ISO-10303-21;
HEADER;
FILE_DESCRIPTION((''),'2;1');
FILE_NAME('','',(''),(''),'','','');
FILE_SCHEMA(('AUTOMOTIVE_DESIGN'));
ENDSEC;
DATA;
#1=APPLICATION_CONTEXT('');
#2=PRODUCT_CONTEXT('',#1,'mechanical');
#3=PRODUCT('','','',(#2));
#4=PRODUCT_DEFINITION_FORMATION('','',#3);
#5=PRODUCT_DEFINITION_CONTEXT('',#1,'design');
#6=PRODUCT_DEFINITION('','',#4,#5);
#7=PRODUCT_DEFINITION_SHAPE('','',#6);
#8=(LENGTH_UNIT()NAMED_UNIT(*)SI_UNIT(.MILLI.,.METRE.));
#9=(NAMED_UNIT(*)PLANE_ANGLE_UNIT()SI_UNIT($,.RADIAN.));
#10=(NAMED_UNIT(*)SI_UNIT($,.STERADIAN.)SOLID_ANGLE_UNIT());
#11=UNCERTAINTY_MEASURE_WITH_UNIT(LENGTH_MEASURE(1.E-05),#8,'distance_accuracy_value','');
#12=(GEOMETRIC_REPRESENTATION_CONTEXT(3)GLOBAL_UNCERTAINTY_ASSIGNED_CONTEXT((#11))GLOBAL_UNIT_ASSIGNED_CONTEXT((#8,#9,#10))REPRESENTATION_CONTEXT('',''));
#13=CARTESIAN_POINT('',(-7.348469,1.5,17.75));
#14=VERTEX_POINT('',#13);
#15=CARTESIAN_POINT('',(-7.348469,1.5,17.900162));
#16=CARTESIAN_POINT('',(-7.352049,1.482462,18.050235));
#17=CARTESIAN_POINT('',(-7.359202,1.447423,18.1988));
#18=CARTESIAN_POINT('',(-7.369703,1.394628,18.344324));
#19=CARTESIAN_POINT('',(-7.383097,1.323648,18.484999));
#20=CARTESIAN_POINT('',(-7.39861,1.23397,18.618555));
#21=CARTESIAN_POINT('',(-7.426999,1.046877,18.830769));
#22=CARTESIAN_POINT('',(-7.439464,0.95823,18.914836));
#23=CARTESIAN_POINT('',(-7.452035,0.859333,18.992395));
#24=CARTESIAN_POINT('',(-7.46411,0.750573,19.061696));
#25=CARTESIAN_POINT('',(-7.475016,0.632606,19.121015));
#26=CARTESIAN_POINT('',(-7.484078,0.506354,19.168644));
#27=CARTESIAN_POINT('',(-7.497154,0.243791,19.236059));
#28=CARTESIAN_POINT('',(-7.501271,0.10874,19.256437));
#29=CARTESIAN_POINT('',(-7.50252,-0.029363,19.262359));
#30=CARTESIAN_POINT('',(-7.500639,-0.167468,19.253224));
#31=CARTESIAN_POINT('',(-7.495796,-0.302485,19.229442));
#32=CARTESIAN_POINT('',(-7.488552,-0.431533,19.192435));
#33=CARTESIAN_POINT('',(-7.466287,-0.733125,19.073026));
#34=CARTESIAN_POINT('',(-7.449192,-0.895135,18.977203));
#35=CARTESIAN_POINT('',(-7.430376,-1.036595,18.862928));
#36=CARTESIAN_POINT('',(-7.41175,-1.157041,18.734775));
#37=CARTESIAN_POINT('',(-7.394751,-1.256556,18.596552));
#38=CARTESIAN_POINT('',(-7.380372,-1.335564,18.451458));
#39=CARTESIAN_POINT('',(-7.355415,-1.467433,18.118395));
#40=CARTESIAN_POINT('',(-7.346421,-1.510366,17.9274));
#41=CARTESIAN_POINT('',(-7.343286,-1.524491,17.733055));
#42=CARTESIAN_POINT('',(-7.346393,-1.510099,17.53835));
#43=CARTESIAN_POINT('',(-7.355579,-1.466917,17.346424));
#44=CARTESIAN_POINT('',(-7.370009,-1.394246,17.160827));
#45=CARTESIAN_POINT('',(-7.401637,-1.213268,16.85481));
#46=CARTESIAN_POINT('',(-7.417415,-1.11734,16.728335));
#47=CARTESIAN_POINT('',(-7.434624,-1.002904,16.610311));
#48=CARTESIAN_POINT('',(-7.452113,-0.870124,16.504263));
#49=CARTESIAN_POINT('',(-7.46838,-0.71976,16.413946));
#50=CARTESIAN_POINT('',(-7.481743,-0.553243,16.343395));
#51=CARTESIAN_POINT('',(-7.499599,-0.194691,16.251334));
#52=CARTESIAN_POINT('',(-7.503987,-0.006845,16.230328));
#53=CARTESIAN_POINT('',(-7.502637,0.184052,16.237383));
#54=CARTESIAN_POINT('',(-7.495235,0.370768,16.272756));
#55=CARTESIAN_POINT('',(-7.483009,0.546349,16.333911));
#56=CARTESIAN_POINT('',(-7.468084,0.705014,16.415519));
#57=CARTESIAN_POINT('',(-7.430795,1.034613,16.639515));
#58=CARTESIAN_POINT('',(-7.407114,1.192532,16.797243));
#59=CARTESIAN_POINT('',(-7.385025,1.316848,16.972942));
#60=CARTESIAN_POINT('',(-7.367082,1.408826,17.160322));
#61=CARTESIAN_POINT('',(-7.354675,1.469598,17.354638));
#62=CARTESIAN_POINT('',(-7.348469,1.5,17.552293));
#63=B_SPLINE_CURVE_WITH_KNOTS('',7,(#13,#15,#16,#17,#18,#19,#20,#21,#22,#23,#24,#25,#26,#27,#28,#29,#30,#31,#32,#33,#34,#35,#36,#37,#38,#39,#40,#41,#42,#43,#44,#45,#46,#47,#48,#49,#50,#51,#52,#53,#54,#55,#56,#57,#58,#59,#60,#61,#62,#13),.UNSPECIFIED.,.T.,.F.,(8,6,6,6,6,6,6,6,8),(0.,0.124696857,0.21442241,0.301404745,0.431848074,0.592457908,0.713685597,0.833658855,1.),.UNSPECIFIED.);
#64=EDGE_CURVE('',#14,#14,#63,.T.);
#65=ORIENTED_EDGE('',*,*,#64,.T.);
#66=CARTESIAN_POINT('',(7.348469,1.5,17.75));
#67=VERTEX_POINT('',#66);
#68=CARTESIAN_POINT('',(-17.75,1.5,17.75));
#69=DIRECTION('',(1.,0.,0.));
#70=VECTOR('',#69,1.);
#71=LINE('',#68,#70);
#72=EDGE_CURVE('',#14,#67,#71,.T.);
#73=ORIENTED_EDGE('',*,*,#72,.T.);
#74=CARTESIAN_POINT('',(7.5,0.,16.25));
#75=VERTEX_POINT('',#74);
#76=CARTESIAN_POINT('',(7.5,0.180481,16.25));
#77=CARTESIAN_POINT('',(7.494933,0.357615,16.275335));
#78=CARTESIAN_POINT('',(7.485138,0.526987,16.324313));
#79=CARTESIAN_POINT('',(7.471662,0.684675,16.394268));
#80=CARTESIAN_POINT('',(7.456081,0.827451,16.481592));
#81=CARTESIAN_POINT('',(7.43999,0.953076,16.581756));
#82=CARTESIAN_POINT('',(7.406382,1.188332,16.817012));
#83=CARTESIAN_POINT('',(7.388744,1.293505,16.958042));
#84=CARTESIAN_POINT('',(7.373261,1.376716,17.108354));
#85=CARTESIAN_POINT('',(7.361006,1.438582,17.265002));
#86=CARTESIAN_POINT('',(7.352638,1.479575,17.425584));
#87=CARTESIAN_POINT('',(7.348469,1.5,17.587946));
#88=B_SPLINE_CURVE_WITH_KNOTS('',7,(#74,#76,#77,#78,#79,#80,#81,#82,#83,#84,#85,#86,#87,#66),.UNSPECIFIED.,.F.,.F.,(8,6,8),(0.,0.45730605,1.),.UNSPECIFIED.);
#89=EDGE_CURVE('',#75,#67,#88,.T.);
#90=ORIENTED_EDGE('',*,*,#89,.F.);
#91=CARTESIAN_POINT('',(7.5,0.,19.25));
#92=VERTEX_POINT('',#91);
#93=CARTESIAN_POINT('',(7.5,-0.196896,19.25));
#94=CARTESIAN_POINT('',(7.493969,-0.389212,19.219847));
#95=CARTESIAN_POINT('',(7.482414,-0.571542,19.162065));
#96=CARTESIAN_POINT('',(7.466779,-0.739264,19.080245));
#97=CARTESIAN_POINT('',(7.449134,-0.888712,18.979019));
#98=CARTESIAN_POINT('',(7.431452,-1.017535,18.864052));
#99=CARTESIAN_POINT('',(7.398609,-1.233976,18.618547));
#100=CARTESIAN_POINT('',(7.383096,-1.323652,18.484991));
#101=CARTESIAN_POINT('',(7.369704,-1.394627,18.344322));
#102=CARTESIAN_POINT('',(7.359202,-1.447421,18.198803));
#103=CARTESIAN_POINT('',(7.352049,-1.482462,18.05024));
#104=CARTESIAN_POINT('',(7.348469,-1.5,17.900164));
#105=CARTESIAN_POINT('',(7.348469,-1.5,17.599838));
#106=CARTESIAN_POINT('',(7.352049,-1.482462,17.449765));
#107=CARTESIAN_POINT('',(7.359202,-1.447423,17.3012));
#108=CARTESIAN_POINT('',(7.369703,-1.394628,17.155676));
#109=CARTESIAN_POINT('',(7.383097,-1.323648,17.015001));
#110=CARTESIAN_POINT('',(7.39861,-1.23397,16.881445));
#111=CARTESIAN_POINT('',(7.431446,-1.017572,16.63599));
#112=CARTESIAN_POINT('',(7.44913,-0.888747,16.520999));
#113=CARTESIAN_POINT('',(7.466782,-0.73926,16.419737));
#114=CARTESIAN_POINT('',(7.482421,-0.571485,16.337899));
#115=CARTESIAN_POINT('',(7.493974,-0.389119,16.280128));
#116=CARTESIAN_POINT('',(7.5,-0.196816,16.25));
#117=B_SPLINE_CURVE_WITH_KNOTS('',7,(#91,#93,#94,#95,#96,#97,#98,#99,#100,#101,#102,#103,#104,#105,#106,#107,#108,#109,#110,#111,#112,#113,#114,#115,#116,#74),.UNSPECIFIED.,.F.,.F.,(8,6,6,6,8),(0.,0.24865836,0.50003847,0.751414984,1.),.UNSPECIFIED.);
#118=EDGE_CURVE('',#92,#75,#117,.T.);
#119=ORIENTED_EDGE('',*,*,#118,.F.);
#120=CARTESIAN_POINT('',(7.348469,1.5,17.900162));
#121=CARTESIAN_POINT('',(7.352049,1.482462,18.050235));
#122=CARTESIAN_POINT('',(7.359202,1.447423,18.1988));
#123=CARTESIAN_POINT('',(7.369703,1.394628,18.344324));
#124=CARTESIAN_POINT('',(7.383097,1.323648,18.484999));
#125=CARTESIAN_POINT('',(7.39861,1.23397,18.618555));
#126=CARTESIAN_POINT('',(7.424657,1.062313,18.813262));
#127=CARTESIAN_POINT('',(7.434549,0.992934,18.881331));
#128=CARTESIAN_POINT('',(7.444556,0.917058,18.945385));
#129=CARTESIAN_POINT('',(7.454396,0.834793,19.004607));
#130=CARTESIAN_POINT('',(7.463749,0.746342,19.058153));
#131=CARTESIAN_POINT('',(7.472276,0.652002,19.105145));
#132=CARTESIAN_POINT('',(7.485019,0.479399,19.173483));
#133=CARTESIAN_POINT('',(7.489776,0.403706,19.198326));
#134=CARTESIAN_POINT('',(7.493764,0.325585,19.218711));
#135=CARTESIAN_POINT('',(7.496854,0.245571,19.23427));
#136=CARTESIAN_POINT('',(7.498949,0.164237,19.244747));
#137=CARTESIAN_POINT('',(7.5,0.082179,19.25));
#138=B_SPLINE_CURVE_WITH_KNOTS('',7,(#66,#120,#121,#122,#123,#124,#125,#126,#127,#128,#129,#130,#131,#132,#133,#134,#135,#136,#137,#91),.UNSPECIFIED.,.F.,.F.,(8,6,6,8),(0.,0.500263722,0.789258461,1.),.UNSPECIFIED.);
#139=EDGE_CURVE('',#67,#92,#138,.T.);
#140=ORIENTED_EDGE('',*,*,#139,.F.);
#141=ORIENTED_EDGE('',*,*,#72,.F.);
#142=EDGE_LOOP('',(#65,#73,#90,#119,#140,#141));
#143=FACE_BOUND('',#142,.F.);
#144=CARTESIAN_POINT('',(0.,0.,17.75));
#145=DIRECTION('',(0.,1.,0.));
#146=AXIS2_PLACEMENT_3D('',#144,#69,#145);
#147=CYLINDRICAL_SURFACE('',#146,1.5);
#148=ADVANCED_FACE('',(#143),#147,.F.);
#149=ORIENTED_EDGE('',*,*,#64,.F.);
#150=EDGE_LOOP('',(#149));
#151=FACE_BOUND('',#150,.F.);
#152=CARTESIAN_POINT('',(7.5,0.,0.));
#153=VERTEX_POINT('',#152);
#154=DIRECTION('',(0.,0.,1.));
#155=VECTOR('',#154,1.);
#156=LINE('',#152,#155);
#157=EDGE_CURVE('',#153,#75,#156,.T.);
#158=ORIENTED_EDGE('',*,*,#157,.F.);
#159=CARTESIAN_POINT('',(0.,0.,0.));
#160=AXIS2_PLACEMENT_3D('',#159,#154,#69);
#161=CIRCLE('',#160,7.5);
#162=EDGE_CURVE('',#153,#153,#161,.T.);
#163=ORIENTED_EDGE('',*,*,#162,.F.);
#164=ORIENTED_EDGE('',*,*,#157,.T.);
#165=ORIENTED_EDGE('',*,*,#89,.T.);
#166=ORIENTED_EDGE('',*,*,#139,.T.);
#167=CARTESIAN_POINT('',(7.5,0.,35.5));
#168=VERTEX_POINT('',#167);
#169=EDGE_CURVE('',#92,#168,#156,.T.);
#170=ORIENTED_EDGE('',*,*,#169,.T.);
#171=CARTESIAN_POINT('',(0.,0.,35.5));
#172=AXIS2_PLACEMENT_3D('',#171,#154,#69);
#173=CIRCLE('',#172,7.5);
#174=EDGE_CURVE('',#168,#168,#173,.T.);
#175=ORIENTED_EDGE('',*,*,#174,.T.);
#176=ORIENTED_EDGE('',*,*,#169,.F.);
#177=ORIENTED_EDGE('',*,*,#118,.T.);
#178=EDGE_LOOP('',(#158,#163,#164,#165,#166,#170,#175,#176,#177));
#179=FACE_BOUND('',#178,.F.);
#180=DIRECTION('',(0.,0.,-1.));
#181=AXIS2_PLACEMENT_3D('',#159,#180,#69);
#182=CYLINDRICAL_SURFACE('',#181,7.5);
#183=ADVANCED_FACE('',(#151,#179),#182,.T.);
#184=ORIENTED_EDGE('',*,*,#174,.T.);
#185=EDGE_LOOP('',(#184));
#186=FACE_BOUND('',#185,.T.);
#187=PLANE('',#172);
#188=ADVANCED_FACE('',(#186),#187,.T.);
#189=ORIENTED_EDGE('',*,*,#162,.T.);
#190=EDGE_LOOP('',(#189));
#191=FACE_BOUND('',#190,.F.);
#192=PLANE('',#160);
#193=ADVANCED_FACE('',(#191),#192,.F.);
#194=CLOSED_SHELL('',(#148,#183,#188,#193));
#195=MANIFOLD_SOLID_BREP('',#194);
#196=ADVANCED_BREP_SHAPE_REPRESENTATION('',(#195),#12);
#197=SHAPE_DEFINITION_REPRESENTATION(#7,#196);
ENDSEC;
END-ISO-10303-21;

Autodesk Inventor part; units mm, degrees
ref_plane "YZ Plane" through (0, 0, 0) normal (1, 0, 0) x (0, 1, 0)
ref_plane "XZ Plane" through (0, 0, 0) normal (0, 1, 0) x (-1, 0, 0)
ref_plane "XY Plane" through (0, 0, 0) normal (0, 0, 1) x (1, 0, 0)
sketch "Sketch1" plane through (0, 0, 0) normal (0, 0, 1) x (1, 0, 0)
  circle A0 centre (0, 0) radius 7.5
  dimension "d0" = 15
extrude "Extrusion1" add sketch "Sketch1" along normal blind 35.5
sketch "Sketch2" plane through (0, 0, 0) normal (1, 0, 0) x (0, 1, 0)
  line L0 (0, 0) -> (0, 35.5)
  line L1 (7.5, 35.5) -> (-7.5, 35.5) projected
  circle A0 centre (0, 17.75) radius 1.5
  dimension "d3" = 3
extrude "Extrusion2" cut sketch "Sketch2" along normal mid plane 35.5
properties part number "Large Pin"
